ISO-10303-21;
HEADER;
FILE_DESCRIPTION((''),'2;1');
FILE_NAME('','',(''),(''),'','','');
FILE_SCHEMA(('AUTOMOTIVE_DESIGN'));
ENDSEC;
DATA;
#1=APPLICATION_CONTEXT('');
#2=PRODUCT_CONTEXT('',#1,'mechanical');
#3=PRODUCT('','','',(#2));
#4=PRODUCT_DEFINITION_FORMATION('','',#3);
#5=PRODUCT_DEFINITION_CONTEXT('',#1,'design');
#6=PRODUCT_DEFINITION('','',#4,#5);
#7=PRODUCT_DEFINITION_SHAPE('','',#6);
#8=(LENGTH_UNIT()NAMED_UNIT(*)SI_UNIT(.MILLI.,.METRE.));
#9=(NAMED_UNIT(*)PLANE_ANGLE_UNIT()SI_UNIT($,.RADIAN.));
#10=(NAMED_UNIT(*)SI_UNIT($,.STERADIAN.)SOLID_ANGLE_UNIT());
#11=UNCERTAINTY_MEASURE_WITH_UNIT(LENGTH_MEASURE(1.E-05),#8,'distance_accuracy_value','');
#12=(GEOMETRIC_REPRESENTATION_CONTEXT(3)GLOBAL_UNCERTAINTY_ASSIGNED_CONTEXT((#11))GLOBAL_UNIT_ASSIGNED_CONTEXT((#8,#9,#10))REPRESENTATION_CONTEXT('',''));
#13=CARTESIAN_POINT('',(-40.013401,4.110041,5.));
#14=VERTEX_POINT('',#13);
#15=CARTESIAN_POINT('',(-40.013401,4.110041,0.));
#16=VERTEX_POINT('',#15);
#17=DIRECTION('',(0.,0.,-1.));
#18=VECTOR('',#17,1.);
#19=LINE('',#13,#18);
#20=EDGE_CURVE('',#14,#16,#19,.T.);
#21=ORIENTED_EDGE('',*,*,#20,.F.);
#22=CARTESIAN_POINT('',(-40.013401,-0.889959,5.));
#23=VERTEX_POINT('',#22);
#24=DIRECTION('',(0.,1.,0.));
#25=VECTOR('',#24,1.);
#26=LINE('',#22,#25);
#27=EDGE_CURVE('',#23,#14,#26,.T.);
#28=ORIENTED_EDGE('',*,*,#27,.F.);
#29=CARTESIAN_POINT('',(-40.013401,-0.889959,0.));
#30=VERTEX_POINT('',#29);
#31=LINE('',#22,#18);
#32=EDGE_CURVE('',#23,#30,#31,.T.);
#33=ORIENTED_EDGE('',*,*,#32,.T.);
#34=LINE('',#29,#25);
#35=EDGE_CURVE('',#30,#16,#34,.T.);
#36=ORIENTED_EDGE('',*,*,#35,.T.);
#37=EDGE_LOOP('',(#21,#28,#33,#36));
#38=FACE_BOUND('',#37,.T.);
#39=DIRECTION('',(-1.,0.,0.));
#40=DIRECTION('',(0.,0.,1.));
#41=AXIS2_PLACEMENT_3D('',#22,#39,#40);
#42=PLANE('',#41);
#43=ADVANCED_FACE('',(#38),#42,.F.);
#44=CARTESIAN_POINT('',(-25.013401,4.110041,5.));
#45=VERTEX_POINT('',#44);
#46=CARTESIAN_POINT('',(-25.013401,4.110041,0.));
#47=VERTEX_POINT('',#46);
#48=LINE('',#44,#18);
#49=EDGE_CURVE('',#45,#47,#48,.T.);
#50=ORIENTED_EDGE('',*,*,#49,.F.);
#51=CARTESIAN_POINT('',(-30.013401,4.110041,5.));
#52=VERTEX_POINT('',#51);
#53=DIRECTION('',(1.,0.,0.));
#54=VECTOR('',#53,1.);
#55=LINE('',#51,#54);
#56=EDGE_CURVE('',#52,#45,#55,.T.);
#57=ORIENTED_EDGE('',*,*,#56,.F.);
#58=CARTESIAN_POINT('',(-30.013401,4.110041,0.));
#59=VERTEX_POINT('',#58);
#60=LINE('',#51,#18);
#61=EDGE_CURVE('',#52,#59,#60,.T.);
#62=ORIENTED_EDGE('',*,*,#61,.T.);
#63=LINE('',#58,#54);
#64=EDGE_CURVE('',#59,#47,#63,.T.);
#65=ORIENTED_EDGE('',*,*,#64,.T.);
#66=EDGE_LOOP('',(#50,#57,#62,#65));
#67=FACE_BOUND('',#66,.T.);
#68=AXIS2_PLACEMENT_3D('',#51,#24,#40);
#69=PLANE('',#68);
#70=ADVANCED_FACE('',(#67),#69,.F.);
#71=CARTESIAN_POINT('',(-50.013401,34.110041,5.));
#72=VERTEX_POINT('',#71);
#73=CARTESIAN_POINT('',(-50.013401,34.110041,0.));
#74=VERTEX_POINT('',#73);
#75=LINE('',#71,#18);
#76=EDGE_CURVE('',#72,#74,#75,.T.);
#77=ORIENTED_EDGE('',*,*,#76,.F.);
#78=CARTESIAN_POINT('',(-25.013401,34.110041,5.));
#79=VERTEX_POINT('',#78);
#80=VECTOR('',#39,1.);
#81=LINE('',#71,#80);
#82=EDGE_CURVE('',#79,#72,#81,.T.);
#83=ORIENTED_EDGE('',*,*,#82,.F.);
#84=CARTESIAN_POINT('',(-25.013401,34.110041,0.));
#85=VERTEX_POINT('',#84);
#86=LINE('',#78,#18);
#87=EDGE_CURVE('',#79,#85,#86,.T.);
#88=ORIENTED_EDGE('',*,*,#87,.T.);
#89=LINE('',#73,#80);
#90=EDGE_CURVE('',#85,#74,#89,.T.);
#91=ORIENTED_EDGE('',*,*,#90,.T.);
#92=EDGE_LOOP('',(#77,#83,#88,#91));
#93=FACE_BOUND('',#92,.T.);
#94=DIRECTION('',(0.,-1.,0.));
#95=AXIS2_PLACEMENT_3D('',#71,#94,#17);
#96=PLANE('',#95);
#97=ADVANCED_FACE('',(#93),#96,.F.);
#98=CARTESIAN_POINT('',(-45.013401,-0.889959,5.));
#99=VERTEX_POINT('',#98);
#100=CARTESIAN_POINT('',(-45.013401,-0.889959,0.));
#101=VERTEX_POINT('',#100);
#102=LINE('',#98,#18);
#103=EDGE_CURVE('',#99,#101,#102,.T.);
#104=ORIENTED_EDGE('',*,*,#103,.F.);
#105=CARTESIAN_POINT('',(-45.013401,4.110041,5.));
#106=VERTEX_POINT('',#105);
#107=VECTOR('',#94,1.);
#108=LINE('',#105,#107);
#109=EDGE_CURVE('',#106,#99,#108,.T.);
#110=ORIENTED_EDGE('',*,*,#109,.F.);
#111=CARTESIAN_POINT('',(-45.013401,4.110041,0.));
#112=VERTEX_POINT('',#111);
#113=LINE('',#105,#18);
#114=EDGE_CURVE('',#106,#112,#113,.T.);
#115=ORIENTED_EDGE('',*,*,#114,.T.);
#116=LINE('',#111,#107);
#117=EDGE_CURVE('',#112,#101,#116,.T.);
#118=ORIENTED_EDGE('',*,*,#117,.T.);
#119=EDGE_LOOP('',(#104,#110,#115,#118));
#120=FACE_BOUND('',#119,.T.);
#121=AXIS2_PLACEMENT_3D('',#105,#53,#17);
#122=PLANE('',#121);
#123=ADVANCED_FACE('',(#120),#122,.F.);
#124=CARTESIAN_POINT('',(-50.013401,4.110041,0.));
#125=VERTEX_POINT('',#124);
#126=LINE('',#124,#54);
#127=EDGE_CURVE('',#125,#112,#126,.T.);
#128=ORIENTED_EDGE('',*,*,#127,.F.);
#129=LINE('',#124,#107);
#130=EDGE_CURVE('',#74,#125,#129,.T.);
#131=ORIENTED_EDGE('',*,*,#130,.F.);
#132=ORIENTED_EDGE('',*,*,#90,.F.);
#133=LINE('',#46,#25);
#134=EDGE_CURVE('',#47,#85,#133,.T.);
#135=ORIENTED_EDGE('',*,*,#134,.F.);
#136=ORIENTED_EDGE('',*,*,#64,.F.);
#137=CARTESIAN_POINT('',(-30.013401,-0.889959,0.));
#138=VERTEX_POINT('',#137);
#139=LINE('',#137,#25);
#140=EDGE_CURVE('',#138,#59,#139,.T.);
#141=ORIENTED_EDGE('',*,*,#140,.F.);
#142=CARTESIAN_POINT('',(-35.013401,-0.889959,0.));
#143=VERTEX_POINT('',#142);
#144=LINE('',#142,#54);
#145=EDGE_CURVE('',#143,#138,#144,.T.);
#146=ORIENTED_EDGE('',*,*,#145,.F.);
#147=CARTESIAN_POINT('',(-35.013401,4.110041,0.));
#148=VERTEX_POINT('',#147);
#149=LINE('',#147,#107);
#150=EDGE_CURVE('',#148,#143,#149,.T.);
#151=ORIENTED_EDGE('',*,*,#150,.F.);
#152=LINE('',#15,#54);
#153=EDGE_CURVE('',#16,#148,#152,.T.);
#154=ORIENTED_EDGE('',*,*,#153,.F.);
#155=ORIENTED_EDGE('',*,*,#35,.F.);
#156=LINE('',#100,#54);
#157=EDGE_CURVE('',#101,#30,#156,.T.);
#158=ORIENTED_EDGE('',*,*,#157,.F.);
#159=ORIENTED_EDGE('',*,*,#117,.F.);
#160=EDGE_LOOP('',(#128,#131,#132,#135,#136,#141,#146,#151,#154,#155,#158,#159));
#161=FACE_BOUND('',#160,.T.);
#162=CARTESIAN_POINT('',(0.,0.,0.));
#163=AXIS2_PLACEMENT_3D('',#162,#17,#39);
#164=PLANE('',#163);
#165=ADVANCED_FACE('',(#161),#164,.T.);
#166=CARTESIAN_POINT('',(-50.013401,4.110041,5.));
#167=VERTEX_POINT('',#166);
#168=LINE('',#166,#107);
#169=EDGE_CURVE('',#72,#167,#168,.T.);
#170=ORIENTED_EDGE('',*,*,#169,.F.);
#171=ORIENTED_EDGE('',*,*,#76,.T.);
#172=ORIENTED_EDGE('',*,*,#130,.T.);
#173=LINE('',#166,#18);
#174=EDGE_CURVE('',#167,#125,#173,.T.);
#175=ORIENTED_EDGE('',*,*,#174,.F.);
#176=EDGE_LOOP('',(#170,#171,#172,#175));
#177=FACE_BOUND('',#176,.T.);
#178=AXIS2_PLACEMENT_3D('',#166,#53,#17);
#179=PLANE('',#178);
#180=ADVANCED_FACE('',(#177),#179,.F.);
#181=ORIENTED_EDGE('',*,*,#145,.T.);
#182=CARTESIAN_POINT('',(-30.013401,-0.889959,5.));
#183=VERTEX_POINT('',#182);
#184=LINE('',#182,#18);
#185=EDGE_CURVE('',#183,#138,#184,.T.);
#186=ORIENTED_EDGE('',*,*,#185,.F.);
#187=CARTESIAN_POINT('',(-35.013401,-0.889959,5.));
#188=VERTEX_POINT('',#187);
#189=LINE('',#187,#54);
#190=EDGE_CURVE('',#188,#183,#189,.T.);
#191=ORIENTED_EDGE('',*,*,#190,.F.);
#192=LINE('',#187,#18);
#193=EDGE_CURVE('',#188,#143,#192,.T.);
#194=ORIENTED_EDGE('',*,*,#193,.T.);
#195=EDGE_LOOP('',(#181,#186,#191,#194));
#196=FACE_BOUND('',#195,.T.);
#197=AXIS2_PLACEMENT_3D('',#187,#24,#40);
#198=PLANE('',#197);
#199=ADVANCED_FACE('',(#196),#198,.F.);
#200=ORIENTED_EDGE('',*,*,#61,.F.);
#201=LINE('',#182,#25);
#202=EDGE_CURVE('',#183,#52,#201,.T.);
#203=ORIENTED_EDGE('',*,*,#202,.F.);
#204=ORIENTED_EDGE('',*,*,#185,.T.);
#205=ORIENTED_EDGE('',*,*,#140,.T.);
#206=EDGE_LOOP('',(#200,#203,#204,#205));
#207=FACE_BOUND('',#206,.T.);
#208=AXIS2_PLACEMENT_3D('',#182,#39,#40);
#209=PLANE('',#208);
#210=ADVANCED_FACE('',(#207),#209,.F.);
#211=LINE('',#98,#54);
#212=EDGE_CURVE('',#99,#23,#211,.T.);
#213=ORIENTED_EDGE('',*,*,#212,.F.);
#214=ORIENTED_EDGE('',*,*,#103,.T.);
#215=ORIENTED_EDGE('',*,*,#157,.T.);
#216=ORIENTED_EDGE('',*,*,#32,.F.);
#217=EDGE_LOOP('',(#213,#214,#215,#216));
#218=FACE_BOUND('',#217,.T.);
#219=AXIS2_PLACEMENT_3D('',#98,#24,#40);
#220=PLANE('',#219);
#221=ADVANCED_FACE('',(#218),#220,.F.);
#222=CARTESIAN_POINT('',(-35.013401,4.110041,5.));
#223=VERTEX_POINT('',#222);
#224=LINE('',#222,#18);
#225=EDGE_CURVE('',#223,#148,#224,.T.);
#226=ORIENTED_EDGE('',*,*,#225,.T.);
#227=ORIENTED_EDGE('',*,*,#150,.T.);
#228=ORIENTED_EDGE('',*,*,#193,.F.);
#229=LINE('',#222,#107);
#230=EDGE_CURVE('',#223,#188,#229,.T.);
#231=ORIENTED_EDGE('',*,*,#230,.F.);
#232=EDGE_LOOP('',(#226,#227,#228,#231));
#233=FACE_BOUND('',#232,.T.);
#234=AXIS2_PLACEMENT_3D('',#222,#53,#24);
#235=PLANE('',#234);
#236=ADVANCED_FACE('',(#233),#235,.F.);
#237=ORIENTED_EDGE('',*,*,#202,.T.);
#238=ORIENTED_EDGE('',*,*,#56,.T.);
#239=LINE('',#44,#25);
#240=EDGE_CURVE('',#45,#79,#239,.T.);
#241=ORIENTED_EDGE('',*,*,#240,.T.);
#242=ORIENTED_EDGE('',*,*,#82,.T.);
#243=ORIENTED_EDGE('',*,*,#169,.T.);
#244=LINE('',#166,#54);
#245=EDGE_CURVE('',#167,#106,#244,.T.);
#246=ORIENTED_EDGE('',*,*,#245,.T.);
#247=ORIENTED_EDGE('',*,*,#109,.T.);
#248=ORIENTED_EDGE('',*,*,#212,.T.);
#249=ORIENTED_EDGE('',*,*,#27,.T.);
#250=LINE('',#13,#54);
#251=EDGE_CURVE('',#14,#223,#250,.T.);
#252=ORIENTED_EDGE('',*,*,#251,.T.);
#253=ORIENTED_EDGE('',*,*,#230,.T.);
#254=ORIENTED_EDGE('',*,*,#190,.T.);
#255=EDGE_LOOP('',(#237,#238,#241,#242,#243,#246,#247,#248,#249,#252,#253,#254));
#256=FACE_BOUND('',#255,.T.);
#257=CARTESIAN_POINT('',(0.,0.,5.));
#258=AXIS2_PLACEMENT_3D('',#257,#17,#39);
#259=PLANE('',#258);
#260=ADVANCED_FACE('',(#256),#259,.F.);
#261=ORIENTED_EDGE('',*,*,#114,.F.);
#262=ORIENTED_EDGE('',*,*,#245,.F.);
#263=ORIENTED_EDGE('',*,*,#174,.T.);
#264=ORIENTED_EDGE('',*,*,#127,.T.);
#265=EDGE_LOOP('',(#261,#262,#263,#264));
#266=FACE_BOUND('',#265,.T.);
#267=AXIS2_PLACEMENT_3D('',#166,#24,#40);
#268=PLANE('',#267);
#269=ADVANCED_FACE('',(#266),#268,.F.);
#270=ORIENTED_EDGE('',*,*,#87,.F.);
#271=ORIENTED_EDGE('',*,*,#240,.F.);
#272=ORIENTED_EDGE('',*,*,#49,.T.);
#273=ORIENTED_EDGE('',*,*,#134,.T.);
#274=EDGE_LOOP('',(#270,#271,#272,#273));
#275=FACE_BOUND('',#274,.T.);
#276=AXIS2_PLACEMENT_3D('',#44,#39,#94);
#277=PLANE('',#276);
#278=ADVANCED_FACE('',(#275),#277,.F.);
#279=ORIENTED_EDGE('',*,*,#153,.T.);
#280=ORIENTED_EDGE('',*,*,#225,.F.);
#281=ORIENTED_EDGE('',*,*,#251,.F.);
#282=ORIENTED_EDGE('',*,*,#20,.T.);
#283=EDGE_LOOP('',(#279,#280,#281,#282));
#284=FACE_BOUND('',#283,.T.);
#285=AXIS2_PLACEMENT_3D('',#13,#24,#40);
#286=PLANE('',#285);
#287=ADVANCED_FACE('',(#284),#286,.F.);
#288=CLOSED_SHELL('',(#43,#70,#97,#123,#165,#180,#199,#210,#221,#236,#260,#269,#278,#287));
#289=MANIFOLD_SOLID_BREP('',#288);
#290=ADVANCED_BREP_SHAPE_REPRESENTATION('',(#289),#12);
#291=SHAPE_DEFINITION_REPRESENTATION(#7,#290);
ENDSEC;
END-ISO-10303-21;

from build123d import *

# Parameters (mm, degrees)
BOSS_EXTRU_1_DEPTH = 5


with BuildPart() as part:
    # Esquisse1 → Boss.-Extru.1 (new body)
    with BuildSketch(Plane.XY):
        Polygon((-50.013400553, 4.110040759), (-45.013400553, 4.110040759), (-45.013400553, -0.889959241), (-40.013400553, -0.889959241), (-40.013400553, 4.110040759), (-35.013400553, 4.110040759), (-35.013400553, -0.889959241), (-30.013400553, -0.889959241), (-30.013400553, 4.110040759), (-25.013400553, 4.110040759), (-25.013400553, 34.110040759), (-50.013400553, 34.110040759), align=None)
    extrude(amount=BOSS_EXTRU_1_DEPTH)


solid = part.part
